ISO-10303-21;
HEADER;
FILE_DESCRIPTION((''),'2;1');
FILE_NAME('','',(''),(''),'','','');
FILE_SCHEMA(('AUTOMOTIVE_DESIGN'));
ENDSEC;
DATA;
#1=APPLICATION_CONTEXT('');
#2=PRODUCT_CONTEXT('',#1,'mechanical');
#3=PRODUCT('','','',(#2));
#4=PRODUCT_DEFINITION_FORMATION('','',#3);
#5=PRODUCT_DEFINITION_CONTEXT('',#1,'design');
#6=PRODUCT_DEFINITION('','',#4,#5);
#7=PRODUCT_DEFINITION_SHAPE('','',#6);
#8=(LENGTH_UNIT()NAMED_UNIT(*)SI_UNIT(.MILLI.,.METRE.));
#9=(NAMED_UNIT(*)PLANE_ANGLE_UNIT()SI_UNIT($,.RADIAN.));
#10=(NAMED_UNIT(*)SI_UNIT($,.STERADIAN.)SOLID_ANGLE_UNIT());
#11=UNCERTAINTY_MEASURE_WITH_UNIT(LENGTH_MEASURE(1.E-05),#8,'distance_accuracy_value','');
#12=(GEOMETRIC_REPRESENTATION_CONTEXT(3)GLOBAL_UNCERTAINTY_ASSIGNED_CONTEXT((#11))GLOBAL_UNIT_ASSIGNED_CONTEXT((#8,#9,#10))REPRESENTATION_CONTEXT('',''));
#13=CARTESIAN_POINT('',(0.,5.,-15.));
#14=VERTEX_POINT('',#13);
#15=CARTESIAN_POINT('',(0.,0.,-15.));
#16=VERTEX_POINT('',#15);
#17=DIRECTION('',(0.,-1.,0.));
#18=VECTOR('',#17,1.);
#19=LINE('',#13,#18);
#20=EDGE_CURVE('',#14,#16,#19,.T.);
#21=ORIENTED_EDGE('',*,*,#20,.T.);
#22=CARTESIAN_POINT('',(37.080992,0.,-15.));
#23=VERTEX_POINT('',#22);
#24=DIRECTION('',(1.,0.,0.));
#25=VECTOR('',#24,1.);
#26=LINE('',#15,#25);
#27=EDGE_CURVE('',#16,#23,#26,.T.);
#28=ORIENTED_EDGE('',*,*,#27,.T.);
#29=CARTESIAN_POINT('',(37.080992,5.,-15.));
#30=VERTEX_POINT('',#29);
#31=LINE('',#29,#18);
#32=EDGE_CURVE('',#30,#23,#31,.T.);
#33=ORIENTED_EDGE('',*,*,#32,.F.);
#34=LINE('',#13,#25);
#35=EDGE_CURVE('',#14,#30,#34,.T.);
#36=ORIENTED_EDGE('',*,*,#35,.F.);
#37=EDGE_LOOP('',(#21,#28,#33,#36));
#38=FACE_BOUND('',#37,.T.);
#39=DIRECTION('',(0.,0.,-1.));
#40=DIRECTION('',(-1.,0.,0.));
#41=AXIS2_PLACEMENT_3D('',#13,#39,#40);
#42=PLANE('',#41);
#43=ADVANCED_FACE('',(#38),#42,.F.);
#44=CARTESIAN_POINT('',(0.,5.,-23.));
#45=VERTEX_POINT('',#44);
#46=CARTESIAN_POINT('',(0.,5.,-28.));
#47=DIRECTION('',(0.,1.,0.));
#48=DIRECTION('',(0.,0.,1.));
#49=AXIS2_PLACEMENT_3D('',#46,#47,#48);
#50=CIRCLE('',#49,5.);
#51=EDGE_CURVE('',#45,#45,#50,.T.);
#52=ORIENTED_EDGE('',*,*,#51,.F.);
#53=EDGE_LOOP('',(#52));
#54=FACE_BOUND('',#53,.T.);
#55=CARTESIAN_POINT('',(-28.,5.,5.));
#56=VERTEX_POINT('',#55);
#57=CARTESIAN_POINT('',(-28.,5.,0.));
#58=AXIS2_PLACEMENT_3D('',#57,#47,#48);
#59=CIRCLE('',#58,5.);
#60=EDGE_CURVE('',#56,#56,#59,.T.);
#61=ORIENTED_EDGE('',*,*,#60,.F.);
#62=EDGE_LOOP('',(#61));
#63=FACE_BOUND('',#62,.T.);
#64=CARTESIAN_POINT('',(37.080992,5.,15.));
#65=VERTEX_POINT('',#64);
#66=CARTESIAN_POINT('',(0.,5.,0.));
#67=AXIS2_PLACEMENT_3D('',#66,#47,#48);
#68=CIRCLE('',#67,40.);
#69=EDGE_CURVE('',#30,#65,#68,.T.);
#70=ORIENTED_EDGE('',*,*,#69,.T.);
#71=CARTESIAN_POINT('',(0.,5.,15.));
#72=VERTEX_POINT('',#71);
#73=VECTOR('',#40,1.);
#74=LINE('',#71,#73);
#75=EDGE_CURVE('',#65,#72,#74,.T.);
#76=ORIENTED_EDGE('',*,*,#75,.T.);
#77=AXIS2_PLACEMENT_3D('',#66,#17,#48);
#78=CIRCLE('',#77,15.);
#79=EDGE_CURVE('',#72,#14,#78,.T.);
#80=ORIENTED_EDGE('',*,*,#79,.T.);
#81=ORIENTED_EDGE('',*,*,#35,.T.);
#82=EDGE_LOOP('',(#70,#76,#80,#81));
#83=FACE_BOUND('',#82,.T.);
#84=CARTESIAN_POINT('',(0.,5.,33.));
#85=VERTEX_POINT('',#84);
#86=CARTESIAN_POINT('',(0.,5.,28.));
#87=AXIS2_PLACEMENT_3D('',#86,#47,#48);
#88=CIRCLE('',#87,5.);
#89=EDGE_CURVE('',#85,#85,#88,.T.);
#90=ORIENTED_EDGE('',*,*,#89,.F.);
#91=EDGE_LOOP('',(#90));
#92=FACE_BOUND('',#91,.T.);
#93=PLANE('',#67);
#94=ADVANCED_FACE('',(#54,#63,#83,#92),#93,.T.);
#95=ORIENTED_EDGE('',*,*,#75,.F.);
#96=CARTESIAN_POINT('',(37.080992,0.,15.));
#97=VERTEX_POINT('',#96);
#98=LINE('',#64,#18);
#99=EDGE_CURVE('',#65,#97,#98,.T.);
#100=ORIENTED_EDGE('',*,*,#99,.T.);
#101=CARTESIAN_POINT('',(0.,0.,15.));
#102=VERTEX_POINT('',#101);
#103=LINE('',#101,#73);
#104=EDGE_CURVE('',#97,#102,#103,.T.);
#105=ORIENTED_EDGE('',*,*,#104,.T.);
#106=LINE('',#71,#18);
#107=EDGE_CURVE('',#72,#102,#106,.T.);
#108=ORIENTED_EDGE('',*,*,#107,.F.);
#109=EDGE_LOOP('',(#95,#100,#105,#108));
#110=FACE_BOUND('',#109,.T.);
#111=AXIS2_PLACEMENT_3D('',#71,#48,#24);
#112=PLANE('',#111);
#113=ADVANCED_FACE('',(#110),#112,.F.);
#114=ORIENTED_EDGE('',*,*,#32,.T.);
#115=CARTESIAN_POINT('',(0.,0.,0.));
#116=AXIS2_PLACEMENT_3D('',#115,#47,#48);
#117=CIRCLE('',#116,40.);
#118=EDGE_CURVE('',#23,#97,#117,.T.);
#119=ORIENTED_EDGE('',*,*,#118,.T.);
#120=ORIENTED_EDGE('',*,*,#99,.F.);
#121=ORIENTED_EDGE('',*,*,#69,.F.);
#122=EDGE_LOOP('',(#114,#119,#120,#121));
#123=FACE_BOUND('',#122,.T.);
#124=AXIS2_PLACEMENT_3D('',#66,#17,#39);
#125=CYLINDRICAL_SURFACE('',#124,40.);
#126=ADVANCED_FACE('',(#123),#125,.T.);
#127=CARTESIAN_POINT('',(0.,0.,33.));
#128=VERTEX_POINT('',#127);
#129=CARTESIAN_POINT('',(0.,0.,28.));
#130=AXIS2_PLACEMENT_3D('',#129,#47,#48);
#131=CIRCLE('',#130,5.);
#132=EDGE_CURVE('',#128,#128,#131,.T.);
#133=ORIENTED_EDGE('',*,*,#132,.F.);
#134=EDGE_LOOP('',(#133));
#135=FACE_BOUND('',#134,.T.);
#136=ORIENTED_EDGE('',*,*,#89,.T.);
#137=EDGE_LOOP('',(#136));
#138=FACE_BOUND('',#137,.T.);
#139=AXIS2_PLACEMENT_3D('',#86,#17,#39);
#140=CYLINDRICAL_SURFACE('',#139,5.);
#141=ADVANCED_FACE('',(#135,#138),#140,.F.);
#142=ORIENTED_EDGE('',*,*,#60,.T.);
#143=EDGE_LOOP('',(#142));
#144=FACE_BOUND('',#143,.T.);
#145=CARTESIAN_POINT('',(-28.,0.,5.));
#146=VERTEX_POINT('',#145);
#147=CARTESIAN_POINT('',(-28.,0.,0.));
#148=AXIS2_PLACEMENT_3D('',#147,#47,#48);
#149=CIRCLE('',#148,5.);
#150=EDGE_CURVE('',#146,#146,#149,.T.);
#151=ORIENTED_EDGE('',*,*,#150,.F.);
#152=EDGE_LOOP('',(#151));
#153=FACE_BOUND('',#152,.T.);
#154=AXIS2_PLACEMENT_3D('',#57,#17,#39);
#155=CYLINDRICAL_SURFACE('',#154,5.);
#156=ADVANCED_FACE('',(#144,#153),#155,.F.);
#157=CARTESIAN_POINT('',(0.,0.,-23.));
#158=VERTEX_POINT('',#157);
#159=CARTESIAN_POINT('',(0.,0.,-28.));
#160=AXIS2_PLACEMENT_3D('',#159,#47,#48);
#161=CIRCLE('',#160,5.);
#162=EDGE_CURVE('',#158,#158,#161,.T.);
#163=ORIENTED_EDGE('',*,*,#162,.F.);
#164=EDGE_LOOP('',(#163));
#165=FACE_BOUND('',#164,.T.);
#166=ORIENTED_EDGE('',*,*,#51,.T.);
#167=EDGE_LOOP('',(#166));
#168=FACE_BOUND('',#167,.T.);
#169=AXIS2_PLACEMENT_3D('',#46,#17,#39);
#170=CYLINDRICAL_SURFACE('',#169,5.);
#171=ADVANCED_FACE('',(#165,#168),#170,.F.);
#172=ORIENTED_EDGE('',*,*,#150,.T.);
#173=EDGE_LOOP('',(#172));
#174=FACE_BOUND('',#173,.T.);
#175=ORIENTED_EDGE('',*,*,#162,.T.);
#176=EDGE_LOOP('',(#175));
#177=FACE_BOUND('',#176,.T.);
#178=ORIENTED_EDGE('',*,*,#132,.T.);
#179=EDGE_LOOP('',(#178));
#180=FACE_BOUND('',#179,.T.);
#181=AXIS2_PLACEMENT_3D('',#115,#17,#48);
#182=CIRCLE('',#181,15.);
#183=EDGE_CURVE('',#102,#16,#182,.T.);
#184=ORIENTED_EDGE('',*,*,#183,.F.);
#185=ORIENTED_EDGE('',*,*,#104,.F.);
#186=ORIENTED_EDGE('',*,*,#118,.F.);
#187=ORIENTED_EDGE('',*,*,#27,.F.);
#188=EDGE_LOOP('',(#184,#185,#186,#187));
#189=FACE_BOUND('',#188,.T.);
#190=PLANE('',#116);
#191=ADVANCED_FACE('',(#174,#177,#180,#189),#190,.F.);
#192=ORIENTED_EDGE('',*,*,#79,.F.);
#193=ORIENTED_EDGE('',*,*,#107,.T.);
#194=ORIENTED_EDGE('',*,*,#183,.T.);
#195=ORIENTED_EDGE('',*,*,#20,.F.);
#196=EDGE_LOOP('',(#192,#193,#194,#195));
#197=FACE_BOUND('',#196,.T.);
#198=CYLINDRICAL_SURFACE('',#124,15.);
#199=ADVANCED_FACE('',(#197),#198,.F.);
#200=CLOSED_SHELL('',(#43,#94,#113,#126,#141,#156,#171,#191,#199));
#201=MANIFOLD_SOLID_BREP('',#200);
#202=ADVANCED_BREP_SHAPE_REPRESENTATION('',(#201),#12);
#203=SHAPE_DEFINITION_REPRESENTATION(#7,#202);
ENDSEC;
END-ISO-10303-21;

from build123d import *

# Parameters (mm, degrees)
SKETCH1_R           = 5
BOSS_EXTRUDE1_DEPTH = 5


with BuildPart() as part:
    # Sketch1 → Boss-Extrude1 (new body)
    with BuildSketch(Plane(origin=(0, 0, 0), x_dir=(1, 0, 0), z_dir=(0, 1, 0))):
        with BuildLine():
            Line((0, 15), (37.080992435, 15))
            ThreePointArc((37.080992435, 15), (-40, 0), (37.080992435, -15))
            Line((37.080992435, -15), (0, -15))
            ThreePointArc((0, -15), (-15, 0), (0, 15))
        make_face()
        with Locations(Location((-28, 0, 0), (0, 0, 270))):
            Circle(SKETCH1_R, mode=Mode.SUBTRACT)
        with Locations(Location((0, 28, 0), (0, 0, 270))):
            Circle(SKETCH1_R, mode=Mode.SUBTRACT)
        with Locations(Location((0, -28, 0), (0, 0, 270))):
            Circle(SKETCH1_R, mode=Mode.SUBTRACT)
    extrude(amount=BOSS_EXTRUDE1_DEPTH)


solid = part.part
